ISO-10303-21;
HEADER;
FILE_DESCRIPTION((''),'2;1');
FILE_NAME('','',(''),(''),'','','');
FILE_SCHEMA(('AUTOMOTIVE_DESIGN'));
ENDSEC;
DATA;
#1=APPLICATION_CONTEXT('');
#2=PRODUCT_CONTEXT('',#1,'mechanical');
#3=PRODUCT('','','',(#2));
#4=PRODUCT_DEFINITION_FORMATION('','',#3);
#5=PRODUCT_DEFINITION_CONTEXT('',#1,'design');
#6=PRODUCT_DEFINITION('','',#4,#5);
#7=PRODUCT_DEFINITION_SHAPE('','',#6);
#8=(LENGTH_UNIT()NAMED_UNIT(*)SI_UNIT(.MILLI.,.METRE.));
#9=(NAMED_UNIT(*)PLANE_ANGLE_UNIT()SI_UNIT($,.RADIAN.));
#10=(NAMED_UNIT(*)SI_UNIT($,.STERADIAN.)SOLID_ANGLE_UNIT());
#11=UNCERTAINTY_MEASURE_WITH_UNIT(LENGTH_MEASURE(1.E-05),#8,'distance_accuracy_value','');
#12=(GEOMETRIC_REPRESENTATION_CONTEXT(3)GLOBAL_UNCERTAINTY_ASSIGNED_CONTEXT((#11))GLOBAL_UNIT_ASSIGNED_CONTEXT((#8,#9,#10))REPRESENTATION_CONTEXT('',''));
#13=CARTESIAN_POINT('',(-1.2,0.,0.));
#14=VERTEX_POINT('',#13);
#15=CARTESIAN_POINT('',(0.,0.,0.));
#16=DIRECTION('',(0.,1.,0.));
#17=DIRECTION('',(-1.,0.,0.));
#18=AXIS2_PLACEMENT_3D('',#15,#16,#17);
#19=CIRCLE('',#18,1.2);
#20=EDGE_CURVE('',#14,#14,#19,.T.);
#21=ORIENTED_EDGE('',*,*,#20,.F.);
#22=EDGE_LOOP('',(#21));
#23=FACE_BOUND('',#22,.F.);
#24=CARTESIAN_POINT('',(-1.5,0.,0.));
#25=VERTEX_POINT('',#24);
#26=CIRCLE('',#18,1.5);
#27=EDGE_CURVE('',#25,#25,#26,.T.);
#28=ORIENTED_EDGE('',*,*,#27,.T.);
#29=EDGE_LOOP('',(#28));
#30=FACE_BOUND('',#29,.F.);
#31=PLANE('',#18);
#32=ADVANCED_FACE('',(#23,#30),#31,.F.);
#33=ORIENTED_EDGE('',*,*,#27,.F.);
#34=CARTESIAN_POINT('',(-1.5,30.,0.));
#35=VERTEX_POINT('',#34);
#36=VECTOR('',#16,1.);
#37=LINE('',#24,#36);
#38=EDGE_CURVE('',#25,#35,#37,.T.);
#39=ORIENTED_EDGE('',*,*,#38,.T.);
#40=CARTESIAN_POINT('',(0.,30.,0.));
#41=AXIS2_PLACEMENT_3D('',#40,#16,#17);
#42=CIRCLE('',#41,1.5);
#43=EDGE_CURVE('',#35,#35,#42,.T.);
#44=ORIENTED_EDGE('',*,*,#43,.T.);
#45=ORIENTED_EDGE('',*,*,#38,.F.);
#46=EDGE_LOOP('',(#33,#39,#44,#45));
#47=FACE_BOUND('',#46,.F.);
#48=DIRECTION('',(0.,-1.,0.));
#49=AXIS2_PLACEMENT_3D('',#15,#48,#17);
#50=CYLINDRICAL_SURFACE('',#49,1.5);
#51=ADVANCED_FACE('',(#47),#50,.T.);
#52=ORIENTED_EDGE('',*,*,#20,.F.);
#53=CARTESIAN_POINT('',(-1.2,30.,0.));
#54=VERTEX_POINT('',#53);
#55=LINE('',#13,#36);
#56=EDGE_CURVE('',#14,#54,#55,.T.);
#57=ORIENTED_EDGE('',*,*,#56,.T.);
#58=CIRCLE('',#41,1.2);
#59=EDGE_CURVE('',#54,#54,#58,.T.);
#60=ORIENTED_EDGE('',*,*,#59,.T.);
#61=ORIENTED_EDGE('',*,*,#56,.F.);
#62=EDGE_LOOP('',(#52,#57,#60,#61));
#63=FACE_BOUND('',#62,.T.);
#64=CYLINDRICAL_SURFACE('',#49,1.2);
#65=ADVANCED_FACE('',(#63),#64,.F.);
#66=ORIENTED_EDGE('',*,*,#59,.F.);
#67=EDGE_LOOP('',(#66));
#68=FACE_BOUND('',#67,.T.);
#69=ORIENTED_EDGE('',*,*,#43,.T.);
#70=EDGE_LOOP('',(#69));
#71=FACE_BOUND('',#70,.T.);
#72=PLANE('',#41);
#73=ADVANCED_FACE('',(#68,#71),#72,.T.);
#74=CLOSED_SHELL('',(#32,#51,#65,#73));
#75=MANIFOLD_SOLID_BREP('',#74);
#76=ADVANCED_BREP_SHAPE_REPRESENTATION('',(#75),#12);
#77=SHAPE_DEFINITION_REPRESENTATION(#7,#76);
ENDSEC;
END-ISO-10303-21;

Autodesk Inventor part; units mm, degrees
ref_plane "YZ Plane" through (0, 0, 0) normal (1, 0, 0) x (0, 1, 0)
ref_plane "XZ Plane" through (0, 0, 0) normal (0, 1, 0) x (-1, 0, 0)
ref_plane "XY Plane" through (0, 0, 0) normal (0, 0, 1) x (1, 0, 0)
sketch "Skizze1" plane through (0, 0, 0) normal (0, 1, 0) x (-1, 0, 0)
  circle A0 centre (0, 0) radius 1.5
  circle A1 centre (0, 0) radius 1.2
  dimension "d0" = 3
extrude "Extrusion1" add sketch "Skizze1" along normal blind 30
ref_plane "Arbeitsebene1" through (0, 15, 0) normal (0, 1, 0) x (1, 0, 0)
properties part number "00_FEP_Tube_3mm_x_20mm"
